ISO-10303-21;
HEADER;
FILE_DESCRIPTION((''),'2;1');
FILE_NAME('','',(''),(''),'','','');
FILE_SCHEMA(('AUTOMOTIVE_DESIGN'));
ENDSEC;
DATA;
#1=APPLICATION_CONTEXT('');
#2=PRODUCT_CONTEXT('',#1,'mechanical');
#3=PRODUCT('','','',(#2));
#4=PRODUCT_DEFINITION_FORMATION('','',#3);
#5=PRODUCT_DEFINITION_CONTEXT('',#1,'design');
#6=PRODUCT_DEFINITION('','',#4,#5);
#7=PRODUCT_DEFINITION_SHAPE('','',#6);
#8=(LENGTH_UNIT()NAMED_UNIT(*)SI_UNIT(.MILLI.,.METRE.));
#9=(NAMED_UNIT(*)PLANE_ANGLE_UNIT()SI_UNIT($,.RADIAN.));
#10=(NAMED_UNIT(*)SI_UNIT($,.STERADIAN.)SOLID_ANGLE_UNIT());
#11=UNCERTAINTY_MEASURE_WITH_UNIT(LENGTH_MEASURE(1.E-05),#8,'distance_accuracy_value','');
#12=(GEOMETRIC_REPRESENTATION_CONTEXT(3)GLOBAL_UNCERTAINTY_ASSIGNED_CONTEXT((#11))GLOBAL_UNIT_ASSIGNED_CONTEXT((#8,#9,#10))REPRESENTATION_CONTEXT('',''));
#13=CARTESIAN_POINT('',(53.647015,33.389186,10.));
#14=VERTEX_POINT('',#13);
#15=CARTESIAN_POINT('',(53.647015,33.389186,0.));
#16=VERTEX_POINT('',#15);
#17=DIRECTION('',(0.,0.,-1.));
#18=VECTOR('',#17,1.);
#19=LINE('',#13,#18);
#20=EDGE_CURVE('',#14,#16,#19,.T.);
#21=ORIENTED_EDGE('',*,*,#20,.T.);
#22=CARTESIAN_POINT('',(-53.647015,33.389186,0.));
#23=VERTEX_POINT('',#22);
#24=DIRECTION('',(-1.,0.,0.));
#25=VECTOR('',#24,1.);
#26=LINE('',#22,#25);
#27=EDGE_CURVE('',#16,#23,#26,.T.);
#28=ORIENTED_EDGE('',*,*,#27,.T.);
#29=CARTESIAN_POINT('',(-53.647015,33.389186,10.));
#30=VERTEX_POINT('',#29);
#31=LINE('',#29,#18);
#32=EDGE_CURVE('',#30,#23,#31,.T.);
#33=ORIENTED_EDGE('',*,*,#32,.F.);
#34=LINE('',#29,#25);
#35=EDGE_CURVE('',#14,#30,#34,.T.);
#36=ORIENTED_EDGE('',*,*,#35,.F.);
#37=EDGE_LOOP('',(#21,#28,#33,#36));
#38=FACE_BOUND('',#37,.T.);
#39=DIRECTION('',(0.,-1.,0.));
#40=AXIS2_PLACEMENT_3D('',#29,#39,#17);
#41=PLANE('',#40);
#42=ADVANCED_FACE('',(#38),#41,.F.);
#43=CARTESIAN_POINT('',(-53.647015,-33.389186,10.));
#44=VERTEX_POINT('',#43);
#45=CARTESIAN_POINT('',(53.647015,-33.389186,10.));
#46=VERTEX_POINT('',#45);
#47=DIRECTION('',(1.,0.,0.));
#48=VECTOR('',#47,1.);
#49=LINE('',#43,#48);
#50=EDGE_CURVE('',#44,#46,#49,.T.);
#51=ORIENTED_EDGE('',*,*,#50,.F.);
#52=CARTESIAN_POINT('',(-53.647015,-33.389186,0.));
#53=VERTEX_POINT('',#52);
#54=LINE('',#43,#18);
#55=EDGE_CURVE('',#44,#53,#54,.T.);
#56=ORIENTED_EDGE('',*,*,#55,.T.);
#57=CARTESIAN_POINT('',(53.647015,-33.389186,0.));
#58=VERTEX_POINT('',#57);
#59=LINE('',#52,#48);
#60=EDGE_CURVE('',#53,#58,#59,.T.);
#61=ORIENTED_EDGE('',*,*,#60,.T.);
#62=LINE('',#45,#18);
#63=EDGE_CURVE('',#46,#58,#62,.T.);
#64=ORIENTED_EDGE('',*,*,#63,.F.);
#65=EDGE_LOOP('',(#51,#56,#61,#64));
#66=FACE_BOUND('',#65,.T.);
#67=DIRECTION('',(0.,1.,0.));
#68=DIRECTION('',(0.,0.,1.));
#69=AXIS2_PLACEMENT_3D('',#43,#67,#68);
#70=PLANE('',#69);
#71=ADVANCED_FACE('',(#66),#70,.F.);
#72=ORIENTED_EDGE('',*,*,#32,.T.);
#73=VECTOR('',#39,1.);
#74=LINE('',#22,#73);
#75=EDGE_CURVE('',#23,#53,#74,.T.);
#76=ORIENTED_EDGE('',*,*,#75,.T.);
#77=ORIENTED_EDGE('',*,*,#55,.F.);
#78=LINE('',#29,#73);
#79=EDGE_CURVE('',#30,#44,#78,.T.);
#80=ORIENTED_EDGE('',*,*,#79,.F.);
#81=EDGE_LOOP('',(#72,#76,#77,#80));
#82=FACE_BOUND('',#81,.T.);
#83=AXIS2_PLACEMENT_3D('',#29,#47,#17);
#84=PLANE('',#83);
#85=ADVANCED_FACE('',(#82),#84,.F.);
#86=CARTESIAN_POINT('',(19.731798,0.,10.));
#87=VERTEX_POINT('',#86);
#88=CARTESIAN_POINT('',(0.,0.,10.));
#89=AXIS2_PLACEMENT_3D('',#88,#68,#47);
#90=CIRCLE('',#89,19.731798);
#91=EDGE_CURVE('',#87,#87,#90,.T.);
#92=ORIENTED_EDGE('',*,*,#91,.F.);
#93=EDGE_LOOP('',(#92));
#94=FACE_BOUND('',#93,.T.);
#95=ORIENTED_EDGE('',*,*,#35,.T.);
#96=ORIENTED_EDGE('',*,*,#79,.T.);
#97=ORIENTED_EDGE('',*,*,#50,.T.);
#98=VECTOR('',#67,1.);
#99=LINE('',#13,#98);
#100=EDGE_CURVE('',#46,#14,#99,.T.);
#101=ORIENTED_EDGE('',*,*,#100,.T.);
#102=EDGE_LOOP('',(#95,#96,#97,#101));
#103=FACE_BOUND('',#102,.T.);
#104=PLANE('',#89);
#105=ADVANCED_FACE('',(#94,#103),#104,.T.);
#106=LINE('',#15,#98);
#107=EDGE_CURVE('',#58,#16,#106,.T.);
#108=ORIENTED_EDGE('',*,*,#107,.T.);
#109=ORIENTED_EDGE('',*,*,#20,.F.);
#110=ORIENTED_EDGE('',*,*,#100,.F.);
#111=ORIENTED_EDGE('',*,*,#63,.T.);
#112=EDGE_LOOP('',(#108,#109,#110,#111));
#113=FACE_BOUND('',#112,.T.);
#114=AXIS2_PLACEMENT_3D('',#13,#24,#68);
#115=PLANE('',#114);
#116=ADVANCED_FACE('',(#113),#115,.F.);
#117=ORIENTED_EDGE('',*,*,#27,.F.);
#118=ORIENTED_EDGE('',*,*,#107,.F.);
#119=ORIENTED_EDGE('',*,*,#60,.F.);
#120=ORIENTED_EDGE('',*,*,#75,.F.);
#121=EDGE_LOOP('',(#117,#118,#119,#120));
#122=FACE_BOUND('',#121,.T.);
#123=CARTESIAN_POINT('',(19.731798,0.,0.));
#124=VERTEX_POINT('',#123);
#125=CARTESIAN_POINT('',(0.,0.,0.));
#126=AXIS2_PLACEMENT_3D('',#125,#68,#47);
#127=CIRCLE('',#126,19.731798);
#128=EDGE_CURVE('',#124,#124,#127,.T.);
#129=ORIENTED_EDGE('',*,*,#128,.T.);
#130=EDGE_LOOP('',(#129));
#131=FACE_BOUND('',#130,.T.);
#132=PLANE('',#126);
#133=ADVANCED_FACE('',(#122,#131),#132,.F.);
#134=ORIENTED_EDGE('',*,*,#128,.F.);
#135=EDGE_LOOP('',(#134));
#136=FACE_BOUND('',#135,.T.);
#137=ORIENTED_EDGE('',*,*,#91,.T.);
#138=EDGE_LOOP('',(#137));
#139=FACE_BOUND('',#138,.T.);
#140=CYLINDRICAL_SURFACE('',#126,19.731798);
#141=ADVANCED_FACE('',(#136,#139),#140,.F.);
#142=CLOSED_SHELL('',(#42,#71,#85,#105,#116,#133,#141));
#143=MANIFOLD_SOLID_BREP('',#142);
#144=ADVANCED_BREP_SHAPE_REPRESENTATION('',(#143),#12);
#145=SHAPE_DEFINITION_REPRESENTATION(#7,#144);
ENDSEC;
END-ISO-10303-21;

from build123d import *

# Parameters (mm, degrees)
ESQUISSE1_W             = 107.294030568
ESQUISSE1_H             = 66.778372094
BOSS_EXTRU_1_DEPTH      = 10
ESQUISSE2_R             = 19.731797857
ENL_V_MAT_EXTRU_1_DEPTH = 10


with BuildPart() as part:
    # Esquisse1 → Boss.-Extru.1 (new body)
    with BuildSketch(Plane.XY):
        Rectangle(ESQUISSE1_W, ESQUISSE1_H)
    extrude(amount=BOSS_EXTRU_1_DEPTH)

    # Esquisse2 → Enlèv. mat.-Extru.1 (cut)
    with BuildSketch(Plane.XY.offset(10)):
        Circle(ESQUISSE2_R)
    extrude(amount=-ENL_V_MAT_EXTRU_1_DEPTH, mode=Mode.SUBTRACT)


solid = part.part
